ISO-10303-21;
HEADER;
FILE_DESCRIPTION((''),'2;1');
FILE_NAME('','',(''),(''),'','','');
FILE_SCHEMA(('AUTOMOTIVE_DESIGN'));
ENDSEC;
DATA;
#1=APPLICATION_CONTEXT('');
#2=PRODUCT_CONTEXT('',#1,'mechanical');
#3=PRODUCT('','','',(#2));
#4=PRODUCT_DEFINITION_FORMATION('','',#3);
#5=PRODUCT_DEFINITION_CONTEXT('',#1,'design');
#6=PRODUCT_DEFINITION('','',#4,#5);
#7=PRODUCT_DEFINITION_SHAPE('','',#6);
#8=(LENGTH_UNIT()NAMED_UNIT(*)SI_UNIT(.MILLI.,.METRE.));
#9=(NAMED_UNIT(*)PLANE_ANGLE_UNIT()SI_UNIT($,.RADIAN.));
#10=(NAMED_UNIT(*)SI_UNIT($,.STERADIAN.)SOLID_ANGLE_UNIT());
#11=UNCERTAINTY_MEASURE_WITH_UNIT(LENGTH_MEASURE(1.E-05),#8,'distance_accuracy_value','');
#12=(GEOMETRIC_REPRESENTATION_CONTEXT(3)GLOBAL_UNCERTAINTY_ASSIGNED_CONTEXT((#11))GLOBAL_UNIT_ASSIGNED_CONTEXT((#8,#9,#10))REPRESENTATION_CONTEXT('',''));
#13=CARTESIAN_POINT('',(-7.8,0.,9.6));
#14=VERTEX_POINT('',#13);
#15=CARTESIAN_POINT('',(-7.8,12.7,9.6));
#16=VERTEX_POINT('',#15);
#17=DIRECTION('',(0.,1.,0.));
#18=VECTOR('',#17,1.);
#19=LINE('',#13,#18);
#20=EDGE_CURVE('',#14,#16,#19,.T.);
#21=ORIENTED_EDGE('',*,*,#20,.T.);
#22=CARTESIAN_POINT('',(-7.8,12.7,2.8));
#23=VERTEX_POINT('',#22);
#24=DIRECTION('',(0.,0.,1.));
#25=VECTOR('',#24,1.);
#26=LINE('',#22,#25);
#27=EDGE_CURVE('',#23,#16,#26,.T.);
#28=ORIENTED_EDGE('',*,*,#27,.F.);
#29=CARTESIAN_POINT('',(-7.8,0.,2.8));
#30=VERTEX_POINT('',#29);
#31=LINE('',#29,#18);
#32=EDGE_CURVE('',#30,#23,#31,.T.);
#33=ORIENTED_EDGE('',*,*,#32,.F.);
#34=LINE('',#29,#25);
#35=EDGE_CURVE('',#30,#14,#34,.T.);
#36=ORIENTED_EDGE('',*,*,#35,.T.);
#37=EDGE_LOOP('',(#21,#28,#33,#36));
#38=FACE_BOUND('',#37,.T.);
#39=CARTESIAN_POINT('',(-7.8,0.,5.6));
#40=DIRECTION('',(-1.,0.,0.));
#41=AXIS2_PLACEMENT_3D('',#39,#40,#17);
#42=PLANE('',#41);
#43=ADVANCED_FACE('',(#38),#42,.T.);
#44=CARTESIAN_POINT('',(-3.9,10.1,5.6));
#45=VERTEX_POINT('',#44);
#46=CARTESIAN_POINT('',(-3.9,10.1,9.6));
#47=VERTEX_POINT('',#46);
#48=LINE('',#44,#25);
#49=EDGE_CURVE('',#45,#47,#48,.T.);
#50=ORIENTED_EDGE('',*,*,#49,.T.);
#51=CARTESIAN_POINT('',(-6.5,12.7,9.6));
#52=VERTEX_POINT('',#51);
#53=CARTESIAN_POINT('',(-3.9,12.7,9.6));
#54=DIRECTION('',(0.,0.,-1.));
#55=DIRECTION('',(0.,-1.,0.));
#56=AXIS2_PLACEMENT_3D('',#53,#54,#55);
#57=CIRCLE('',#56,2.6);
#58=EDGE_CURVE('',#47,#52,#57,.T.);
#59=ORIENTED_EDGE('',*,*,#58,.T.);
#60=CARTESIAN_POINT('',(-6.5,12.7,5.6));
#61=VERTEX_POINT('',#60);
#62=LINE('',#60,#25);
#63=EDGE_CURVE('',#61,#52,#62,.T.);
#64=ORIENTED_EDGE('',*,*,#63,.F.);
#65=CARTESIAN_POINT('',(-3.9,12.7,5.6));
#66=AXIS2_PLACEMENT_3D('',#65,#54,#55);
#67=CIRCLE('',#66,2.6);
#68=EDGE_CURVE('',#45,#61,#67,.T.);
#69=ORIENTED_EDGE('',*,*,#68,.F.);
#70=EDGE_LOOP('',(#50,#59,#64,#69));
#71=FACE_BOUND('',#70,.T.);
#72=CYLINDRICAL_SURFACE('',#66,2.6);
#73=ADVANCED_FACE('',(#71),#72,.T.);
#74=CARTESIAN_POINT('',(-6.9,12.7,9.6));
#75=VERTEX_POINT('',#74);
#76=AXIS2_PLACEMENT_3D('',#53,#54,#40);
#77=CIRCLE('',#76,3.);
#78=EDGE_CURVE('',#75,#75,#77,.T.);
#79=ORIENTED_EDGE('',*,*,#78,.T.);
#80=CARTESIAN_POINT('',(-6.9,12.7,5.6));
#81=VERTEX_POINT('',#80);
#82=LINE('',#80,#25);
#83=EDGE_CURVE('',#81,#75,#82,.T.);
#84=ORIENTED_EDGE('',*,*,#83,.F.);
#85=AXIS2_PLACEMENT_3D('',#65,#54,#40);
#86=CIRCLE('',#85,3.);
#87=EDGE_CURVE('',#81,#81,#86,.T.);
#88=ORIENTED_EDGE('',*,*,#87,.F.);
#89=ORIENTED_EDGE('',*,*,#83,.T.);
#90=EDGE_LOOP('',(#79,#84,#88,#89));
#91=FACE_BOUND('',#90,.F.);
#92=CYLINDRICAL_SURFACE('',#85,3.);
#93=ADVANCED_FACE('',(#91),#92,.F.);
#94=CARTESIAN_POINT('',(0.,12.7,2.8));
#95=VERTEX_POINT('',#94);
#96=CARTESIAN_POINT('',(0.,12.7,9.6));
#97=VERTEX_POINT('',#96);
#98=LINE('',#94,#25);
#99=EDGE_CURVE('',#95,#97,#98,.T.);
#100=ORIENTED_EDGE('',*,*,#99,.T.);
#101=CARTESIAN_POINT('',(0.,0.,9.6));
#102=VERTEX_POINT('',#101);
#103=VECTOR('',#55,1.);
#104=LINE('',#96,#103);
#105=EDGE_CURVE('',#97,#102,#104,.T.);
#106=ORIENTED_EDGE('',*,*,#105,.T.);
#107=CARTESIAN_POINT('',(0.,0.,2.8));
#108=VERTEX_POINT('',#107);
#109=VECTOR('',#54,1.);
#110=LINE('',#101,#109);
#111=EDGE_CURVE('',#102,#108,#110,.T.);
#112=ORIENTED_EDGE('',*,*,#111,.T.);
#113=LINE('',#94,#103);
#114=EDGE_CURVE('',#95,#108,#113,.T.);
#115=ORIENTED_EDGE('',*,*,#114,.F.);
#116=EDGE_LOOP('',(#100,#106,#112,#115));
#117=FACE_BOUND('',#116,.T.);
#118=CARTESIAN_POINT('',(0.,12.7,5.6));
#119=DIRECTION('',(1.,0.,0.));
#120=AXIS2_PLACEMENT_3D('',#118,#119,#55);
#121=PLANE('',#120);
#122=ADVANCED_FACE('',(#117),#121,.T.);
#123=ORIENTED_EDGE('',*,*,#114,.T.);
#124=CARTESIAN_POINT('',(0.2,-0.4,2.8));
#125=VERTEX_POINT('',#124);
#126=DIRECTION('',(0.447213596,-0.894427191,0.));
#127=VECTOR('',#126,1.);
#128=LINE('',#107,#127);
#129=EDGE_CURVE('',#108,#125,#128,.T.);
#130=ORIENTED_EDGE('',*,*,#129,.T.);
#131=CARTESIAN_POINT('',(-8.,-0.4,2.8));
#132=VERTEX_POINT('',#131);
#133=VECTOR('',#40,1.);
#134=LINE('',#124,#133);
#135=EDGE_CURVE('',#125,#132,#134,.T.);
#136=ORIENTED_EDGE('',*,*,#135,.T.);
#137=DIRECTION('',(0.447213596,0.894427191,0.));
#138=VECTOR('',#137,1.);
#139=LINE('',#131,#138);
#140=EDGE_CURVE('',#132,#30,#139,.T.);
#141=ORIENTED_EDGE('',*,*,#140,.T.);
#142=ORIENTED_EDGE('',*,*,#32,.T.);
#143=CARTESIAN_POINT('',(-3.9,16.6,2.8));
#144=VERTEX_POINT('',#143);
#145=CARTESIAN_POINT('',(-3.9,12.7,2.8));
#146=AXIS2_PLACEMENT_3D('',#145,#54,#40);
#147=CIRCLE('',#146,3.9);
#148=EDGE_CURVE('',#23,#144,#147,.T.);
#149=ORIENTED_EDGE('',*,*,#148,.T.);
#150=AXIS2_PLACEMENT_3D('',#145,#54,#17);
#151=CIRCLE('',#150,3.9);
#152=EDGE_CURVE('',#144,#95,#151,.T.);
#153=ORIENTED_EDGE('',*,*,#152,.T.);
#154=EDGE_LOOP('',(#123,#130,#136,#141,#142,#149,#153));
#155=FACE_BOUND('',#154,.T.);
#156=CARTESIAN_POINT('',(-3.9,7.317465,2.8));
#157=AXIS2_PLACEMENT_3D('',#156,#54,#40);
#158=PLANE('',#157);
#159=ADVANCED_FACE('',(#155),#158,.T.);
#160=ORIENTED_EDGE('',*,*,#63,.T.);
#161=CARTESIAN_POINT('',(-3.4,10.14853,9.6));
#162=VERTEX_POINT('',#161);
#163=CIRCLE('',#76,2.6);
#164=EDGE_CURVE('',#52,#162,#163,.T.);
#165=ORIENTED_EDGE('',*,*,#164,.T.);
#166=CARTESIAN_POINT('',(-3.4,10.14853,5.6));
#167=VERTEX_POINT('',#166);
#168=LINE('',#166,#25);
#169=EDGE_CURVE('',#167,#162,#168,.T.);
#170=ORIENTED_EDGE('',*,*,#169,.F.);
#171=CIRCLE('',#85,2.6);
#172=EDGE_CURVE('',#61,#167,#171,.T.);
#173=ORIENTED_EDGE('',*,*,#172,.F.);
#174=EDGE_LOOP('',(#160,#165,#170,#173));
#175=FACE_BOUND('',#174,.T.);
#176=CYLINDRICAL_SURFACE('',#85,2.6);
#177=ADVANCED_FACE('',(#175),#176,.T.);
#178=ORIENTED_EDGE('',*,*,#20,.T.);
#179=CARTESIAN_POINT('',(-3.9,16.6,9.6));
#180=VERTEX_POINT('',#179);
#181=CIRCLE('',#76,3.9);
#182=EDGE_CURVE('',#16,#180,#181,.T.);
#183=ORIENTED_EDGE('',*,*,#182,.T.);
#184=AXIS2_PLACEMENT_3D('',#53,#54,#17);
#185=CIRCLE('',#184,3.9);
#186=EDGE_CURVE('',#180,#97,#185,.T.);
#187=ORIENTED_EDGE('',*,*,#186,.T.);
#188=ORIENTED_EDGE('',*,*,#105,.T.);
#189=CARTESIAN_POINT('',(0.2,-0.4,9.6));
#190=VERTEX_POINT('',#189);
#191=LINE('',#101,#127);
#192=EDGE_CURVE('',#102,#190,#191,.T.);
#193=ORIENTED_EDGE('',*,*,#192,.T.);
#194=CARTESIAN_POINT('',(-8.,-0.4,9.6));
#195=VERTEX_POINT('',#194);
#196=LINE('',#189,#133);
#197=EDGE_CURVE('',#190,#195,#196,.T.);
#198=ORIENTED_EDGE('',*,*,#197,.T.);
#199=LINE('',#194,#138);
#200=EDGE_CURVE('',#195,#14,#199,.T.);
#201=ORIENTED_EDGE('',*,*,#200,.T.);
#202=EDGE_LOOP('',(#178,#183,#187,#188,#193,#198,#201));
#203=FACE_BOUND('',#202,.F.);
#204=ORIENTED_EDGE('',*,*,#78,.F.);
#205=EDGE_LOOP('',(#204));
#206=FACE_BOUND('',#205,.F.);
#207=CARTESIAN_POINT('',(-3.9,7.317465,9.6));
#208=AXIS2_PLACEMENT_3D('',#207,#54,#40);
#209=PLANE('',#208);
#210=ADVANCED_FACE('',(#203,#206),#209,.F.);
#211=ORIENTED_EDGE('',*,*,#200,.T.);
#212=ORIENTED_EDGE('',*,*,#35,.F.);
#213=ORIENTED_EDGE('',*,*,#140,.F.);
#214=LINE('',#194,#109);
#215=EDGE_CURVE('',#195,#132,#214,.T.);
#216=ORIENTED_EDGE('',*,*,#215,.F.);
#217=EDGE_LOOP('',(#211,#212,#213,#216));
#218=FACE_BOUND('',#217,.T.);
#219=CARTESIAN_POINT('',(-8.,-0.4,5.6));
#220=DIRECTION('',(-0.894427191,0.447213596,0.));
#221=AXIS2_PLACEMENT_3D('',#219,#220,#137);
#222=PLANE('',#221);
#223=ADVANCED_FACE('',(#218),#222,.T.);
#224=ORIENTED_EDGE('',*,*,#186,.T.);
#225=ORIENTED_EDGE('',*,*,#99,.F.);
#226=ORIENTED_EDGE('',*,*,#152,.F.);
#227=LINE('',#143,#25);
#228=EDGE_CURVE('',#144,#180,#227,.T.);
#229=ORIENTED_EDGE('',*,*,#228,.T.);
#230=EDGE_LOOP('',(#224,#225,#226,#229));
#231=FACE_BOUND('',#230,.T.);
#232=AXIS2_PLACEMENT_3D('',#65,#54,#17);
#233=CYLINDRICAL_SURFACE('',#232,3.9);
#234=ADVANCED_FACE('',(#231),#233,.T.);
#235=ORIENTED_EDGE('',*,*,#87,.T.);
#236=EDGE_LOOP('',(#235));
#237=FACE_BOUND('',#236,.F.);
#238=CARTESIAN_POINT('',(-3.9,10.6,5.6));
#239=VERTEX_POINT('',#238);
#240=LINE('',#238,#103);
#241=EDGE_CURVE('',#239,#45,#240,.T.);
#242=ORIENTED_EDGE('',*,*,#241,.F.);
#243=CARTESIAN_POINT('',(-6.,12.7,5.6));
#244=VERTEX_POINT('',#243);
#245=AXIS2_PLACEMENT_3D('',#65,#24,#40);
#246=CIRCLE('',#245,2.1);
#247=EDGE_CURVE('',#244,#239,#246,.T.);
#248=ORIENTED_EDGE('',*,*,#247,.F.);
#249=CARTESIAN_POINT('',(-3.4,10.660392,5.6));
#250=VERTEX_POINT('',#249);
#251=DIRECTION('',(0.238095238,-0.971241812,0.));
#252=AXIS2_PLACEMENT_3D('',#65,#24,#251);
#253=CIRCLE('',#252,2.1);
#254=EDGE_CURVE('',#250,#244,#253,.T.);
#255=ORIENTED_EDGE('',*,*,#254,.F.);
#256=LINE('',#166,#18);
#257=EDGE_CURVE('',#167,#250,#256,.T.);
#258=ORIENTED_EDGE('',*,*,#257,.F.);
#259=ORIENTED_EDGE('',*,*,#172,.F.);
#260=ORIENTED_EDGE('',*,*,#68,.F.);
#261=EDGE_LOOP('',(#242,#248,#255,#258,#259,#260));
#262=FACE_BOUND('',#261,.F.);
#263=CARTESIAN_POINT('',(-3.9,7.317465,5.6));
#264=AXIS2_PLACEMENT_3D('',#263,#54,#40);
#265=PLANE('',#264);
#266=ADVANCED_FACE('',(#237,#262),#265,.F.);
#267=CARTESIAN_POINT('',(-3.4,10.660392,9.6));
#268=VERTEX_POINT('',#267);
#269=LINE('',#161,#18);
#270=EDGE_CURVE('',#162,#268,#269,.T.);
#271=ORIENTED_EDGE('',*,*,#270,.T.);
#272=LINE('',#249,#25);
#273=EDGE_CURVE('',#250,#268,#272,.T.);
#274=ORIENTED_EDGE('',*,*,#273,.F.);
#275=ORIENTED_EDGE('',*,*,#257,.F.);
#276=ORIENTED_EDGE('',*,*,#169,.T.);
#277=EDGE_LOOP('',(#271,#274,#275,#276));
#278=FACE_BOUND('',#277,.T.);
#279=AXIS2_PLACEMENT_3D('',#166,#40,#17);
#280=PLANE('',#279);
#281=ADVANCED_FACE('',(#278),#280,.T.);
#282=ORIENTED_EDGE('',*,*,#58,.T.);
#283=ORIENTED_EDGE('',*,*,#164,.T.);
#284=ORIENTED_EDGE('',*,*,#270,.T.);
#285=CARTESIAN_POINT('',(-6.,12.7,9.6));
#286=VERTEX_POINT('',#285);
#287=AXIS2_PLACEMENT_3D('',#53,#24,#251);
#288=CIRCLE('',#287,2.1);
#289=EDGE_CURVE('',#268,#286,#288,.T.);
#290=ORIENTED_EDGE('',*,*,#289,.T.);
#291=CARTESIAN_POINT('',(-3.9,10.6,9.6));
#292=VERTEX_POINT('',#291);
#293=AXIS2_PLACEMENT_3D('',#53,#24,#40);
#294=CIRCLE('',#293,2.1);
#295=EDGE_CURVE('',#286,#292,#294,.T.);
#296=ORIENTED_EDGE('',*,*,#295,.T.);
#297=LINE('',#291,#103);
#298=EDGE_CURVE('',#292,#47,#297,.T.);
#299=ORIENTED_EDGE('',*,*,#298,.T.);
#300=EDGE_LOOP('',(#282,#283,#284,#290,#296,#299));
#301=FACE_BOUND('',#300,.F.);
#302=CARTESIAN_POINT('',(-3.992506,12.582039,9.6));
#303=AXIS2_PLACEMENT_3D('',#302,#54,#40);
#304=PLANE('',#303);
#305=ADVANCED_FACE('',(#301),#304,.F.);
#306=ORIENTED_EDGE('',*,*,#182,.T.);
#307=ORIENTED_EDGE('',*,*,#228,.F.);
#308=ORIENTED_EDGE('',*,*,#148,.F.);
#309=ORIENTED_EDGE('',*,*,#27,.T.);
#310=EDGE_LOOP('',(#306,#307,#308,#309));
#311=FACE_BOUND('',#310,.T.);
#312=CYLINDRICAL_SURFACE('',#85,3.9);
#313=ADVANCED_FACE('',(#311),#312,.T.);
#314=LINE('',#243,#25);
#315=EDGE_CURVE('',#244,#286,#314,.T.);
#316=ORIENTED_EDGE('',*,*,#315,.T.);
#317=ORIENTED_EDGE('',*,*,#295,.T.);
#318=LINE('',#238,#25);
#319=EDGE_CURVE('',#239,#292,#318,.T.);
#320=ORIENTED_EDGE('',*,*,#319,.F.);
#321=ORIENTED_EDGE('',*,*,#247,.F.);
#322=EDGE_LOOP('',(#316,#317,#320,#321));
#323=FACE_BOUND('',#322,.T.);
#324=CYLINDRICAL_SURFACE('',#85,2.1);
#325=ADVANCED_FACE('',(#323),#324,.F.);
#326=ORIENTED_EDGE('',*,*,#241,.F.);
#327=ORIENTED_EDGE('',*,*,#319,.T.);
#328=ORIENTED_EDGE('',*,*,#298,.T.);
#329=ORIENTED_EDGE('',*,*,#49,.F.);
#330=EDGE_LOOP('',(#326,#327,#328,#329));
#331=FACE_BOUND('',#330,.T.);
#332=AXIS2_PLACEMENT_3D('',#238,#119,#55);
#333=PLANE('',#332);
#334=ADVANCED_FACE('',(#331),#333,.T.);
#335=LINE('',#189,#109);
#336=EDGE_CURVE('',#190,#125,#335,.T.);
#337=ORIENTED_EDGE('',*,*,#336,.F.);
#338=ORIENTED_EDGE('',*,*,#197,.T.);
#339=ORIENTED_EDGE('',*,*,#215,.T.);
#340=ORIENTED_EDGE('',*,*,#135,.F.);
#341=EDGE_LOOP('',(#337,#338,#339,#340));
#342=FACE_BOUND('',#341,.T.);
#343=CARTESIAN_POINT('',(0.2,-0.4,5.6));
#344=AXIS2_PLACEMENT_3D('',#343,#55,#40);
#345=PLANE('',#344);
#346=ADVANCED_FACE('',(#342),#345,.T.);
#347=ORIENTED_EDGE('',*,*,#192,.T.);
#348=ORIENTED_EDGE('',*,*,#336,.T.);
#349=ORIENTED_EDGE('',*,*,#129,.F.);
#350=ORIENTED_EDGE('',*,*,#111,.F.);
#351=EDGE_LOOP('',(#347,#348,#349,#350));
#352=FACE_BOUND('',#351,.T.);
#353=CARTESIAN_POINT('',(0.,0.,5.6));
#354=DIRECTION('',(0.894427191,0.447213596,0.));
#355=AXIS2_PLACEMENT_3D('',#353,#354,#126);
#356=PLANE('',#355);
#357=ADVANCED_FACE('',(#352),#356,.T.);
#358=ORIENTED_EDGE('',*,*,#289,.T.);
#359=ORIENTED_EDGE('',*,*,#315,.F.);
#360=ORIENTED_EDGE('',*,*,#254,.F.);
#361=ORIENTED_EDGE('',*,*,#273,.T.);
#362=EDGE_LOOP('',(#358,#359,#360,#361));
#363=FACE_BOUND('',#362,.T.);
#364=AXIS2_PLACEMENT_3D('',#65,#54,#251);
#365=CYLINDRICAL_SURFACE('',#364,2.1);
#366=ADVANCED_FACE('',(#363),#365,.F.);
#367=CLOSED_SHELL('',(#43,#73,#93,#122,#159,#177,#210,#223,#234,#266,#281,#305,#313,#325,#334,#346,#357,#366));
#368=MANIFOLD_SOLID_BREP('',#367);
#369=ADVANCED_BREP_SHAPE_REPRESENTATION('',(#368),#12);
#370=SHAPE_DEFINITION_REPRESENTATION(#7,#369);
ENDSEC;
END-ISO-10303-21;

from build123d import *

# Parameters (mm, degrees)
F0_R     = 3
F1_DEPTH = 2.8
F2_DEPTH = 4
F3_ANGLE = 180


with BuildPart() as f1:
    # F0 (on Top) → F1 (new body)
    with BuildSketch(Plane.XY):
        with BuildLine():
            Line((0, 12.7), (0, 0))
            Line((0, 0), (-0.2, -0.4))
            Line((-0.2, -0.4), (8, -0.4))
            Line((8, -0.4), (7.8, 0))
            Line((7.8, 0), (7.8, 12.7))
            ThreePointArc((7.8, 12.7), (6.6577164466, 15.4577164466), (3.9, 16.6))
            ThreePointArc((3.9, 16.6), (1.1422835534, 15.4577164466), (0, 12.7))
        make_face()
        with Locations((3.9, 12.7)):
            Circle(F0_R, mode=Mode.SUBTRACT)
        with Locations((3.9, 12.7)):
            Circle(F0_R)
        with BuildLine():
            ThreePointArc((3.9, 10.1), (3.6488251879, 10.1121608988), (3.4, 10.1485298356))
            ThreePointArc((3.4, 10.1485298356), (2.2477288358, 14.70748599), (6.5, 12.7))
            ThreePointArc((6.5, 12.7), (5.7384776311, 10.8615223689), (3.9, 10.1))
        make_face(mode=Mode.SUBTRACT)
        with BuildLine():
            ThreePointArc((3.9, 10.6), (5.3849242405, 11.2150757595), (6, 12.7))
            ThreePointArc((6, 12.7), (2.6038518603, 14.3522711642), (3.4, 10.6603921946))
            ThreePointArc((3.4, 10.6603921946), (3.6481829944, 10.6151527165), (3.9, 10.6))
        make_face()
        with BuildLine():
            ThreePointArc((3.4, 10.6603921946), (2.6038518603, 14.3522711642), (6, 12.7))
            ThreePointArc((6, 12.7), (5.3849242405, 11.2150757595), (3.9, 10.6))
            Line((3.9, 10.6), (3.9, 10.1))
            ThreePointArc((3.9, 10.1), (5.7384776311, 10.8615223689), (6.5, 12.7))
            ThreePointArc((6.5, 12.7), (2.2477288358, 14.70748599), (3.4, 10.1485298356))
            Line((3.4, 10.1485298356), (3.4, 10.6603921946))
        make_face()
        with BuildLine():
            ThreePointArc((3.9, 10.6), (3.6481829944, 10.6151527165), (3.4, 10.6603921946))
            Line((3.4, 10.6603921946), (3.4, 10.1485298356))
            ThreePointArc((3.4, 10.1485298356), (3.6488251879, 10.1121608988), (3.9, 10.1))
            Line((3.9, 10.1), (3.9, 10.6))
        make_face()
    extrude(amount=F1_DEPTH)

    # F0 (on Top) → F2 (join)
    with BuildSketch(Plane.XY):
        with BuildLine():
            Line((0, 12.7), (0, 0))
            Line((0, 0), (-0.2, -0.4))
            Line((-0.2, -0.4), (8, -0.4))
            Line((8, -0.4), (7.8, 0))
            Line((7.8, 0), (7.8, 12.7))
            ThreePointArc((7.8, 12.7), (6.6577164466, 15.4577164466), (3.9, 16.6))
            ThreePointArc((3.9, 16.6), (1.1422835534, 15.4577164466), (0, 12.7))
        make_face()
        with Locations((3.9, 12.7)):
            Circle(F0_R, mode=Mode.SUBTRACT)
        with BuildLine():
            ThreePointArc((3.4, 10.6603921946), (2.6038518603, 14.3522711642), (6, 12.7))
            ThreePointArc((6, 12.7), (5.3849242405, 11.2150757595), (3.9, 10.6))
            Line((3.9, 10.6), (3.9, 10.1))
            ThreePointArc((3.9, 10.1), (5.7384776311, 10.8615223689), (6.5, 12.7))
            ThreePointArc((6.5, 12.7), (2.2477288358, 14.70748599), (3.4, 10.1485298356))
            Line((3.4, 10.1485298356), (3.4, 10.6603921946))
        make_face()
    extrude(amount=-F2_DEPTH)


with BuildPart() as f1_1:
    # F3: moved
    add(f1.part.rotate(Axis((0, 6.35, 2.8), (0, 1, 0)), F3_ANGLE))


solid = f1_1.part
